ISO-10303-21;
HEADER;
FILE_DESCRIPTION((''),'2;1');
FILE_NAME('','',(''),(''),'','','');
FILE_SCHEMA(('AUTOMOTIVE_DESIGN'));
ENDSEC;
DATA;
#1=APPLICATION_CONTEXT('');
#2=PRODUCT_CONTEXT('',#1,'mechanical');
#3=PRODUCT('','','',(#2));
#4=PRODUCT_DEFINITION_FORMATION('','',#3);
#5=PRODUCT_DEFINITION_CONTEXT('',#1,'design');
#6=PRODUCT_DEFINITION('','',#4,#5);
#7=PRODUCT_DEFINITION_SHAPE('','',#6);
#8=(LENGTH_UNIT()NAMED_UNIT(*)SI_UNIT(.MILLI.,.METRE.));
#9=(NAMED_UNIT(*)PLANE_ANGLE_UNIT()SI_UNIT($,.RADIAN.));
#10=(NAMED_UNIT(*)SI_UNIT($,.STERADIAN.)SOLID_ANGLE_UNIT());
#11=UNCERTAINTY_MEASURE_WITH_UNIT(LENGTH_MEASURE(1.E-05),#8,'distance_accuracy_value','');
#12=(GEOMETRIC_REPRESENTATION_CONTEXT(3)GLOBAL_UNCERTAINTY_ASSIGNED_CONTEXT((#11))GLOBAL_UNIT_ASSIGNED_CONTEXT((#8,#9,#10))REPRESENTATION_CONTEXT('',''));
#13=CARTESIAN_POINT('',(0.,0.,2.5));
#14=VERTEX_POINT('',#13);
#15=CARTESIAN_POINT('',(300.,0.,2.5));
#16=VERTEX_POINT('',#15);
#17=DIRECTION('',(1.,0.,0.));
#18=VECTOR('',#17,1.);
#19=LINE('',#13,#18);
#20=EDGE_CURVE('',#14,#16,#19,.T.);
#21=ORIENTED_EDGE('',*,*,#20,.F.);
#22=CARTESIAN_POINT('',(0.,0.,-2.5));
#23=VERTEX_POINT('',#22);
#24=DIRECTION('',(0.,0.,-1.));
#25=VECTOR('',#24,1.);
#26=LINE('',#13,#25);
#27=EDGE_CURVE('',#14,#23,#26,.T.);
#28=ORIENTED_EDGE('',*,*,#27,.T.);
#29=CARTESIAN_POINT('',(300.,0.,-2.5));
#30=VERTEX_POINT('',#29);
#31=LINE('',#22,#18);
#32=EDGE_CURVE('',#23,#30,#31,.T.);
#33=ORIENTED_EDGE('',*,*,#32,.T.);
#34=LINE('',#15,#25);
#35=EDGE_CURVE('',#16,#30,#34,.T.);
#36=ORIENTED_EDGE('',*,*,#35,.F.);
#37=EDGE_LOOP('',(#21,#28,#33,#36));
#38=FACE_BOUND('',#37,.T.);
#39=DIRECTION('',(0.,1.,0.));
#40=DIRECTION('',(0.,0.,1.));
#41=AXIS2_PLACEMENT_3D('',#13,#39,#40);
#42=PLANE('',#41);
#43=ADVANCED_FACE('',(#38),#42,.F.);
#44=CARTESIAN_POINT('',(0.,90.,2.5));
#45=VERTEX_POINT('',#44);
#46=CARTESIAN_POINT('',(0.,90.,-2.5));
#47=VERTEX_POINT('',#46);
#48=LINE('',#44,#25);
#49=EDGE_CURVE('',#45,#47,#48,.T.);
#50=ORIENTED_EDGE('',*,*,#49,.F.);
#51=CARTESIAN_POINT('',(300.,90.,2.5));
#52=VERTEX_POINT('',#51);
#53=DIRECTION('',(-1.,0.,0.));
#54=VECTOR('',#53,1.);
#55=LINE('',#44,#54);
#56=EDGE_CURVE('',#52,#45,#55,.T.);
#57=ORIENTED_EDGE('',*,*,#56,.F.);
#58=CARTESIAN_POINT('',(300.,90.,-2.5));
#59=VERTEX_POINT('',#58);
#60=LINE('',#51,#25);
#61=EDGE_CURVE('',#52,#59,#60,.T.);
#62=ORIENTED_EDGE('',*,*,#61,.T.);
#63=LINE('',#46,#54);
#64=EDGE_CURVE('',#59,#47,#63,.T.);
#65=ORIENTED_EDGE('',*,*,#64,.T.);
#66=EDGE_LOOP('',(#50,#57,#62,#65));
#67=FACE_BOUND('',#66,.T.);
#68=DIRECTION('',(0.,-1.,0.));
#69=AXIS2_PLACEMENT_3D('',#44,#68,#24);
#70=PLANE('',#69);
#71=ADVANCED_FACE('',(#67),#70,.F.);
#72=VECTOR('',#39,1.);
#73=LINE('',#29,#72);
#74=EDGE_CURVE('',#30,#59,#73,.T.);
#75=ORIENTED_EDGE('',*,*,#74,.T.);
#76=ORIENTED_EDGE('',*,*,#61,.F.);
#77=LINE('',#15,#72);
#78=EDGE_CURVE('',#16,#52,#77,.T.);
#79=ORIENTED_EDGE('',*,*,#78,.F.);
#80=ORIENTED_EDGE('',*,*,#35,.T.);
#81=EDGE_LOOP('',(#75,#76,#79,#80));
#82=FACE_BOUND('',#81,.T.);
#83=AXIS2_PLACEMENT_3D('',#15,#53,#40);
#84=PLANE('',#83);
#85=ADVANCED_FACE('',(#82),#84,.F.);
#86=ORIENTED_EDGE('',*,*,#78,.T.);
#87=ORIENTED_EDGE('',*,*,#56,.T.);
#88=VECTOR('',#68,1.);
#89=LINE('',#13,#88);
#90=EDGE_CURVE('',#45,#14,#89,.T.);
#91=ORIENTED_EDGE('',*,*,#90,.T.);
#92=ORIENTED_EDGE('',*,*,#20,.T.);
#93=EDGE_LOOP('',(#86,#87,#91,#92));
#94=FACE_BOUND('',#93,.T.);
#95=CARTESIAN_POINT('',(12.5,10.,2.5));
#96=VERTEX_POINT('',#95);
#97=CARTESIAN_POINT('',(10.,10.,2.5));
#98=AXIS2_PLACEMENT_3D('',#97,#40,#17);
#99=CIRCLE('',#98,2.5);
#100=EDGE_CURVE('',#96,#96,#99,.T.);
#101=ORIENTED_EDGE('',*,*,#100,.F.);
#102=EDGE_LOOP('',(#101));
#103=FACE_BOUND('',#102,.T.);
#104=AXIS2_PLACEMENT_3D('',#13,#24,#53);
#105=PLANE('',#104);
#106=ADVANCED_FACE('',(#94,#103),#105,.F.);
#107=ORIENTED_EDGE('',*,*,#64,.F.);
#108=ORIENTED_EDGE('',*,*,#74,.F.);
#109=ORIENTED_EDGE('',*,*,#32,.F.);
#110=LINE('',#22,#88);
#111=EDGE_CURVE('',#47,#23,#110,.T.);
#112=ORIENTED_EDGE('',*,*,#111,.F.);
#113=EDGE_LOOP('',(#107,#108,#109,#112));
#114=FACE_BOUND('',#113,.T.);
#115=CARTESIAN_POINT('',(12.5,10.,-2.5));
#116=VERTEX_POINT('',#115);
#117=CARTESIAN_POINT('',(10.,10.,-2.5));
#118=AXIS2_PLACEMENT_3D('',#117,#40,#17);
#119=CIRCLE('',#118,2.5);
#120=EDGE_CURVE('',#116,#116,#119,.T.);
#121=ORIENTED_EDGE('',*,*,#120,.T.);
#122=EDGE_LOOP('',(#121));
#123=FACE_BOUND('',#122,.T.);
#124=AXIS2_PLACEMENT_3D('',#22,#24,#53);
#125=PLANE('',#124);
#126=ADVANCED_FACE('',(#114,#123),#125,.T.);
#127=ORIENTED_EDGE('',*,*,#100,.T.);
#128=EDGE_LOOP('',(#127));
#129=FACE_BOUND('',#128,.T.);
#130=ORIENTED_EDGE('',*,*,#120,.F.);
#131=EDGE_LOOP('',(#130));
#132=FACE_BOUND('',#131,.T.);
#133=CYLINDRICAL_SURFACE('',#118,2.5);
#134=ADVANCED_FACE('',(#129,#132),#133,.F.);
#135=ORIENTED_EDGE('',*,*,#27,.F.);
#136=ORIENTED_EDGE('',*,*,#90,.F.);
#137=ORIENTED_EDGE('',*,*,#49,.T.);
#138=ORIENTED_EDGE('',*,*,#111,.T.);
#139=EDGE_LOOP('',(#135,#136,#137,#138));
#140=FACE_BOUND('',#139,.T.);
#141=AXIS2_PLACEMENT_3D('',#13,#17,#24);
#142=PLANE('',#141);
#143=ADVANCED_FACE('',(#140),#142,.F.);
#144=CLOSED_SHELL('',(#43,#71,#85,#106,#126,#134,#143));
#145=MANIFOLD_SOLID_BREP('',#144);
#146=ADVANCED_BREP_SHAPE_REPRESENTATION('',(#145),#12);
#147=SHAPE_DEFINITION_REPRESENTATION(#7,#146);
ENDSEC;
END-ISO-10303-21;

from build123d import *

# Parameters (mm, degrees)
ESQUISSE1_W             = 300
ESQUISSE1_H             = 90
BOSS_EXTRU_1_DEPTH      = 2.5
ESQUISSE2_R             = 2.5
ENL_V_MAT_EXTRU_1_DEPTH = 314.249102154


with BuildPart() as part:
    # Esquisse1 → Boss.-Extru.1 (new, symmetric)
    with BuildSketch(Plane.XY):
        with Locations((150, 45)):
            Rectangle(ESQUISSE1_W, ESQUISSE1_H)
    extrude(amount=BOSS_EXTRU_1_DEPTH, both=True)

    # Esquisse2 → Enlèv. mat.-Extru.1 (cut, through all)
    with BuildSketch(Plane.XY.offset(2.5)):
        with Locations((10, 10)):
            Circle(ESQUISSE2_R)
    extrude(amount=-ENL_V_MAT_EXTRU_1_DEPTH, mode=Mode.SUBTRACT)


solid = part.part
